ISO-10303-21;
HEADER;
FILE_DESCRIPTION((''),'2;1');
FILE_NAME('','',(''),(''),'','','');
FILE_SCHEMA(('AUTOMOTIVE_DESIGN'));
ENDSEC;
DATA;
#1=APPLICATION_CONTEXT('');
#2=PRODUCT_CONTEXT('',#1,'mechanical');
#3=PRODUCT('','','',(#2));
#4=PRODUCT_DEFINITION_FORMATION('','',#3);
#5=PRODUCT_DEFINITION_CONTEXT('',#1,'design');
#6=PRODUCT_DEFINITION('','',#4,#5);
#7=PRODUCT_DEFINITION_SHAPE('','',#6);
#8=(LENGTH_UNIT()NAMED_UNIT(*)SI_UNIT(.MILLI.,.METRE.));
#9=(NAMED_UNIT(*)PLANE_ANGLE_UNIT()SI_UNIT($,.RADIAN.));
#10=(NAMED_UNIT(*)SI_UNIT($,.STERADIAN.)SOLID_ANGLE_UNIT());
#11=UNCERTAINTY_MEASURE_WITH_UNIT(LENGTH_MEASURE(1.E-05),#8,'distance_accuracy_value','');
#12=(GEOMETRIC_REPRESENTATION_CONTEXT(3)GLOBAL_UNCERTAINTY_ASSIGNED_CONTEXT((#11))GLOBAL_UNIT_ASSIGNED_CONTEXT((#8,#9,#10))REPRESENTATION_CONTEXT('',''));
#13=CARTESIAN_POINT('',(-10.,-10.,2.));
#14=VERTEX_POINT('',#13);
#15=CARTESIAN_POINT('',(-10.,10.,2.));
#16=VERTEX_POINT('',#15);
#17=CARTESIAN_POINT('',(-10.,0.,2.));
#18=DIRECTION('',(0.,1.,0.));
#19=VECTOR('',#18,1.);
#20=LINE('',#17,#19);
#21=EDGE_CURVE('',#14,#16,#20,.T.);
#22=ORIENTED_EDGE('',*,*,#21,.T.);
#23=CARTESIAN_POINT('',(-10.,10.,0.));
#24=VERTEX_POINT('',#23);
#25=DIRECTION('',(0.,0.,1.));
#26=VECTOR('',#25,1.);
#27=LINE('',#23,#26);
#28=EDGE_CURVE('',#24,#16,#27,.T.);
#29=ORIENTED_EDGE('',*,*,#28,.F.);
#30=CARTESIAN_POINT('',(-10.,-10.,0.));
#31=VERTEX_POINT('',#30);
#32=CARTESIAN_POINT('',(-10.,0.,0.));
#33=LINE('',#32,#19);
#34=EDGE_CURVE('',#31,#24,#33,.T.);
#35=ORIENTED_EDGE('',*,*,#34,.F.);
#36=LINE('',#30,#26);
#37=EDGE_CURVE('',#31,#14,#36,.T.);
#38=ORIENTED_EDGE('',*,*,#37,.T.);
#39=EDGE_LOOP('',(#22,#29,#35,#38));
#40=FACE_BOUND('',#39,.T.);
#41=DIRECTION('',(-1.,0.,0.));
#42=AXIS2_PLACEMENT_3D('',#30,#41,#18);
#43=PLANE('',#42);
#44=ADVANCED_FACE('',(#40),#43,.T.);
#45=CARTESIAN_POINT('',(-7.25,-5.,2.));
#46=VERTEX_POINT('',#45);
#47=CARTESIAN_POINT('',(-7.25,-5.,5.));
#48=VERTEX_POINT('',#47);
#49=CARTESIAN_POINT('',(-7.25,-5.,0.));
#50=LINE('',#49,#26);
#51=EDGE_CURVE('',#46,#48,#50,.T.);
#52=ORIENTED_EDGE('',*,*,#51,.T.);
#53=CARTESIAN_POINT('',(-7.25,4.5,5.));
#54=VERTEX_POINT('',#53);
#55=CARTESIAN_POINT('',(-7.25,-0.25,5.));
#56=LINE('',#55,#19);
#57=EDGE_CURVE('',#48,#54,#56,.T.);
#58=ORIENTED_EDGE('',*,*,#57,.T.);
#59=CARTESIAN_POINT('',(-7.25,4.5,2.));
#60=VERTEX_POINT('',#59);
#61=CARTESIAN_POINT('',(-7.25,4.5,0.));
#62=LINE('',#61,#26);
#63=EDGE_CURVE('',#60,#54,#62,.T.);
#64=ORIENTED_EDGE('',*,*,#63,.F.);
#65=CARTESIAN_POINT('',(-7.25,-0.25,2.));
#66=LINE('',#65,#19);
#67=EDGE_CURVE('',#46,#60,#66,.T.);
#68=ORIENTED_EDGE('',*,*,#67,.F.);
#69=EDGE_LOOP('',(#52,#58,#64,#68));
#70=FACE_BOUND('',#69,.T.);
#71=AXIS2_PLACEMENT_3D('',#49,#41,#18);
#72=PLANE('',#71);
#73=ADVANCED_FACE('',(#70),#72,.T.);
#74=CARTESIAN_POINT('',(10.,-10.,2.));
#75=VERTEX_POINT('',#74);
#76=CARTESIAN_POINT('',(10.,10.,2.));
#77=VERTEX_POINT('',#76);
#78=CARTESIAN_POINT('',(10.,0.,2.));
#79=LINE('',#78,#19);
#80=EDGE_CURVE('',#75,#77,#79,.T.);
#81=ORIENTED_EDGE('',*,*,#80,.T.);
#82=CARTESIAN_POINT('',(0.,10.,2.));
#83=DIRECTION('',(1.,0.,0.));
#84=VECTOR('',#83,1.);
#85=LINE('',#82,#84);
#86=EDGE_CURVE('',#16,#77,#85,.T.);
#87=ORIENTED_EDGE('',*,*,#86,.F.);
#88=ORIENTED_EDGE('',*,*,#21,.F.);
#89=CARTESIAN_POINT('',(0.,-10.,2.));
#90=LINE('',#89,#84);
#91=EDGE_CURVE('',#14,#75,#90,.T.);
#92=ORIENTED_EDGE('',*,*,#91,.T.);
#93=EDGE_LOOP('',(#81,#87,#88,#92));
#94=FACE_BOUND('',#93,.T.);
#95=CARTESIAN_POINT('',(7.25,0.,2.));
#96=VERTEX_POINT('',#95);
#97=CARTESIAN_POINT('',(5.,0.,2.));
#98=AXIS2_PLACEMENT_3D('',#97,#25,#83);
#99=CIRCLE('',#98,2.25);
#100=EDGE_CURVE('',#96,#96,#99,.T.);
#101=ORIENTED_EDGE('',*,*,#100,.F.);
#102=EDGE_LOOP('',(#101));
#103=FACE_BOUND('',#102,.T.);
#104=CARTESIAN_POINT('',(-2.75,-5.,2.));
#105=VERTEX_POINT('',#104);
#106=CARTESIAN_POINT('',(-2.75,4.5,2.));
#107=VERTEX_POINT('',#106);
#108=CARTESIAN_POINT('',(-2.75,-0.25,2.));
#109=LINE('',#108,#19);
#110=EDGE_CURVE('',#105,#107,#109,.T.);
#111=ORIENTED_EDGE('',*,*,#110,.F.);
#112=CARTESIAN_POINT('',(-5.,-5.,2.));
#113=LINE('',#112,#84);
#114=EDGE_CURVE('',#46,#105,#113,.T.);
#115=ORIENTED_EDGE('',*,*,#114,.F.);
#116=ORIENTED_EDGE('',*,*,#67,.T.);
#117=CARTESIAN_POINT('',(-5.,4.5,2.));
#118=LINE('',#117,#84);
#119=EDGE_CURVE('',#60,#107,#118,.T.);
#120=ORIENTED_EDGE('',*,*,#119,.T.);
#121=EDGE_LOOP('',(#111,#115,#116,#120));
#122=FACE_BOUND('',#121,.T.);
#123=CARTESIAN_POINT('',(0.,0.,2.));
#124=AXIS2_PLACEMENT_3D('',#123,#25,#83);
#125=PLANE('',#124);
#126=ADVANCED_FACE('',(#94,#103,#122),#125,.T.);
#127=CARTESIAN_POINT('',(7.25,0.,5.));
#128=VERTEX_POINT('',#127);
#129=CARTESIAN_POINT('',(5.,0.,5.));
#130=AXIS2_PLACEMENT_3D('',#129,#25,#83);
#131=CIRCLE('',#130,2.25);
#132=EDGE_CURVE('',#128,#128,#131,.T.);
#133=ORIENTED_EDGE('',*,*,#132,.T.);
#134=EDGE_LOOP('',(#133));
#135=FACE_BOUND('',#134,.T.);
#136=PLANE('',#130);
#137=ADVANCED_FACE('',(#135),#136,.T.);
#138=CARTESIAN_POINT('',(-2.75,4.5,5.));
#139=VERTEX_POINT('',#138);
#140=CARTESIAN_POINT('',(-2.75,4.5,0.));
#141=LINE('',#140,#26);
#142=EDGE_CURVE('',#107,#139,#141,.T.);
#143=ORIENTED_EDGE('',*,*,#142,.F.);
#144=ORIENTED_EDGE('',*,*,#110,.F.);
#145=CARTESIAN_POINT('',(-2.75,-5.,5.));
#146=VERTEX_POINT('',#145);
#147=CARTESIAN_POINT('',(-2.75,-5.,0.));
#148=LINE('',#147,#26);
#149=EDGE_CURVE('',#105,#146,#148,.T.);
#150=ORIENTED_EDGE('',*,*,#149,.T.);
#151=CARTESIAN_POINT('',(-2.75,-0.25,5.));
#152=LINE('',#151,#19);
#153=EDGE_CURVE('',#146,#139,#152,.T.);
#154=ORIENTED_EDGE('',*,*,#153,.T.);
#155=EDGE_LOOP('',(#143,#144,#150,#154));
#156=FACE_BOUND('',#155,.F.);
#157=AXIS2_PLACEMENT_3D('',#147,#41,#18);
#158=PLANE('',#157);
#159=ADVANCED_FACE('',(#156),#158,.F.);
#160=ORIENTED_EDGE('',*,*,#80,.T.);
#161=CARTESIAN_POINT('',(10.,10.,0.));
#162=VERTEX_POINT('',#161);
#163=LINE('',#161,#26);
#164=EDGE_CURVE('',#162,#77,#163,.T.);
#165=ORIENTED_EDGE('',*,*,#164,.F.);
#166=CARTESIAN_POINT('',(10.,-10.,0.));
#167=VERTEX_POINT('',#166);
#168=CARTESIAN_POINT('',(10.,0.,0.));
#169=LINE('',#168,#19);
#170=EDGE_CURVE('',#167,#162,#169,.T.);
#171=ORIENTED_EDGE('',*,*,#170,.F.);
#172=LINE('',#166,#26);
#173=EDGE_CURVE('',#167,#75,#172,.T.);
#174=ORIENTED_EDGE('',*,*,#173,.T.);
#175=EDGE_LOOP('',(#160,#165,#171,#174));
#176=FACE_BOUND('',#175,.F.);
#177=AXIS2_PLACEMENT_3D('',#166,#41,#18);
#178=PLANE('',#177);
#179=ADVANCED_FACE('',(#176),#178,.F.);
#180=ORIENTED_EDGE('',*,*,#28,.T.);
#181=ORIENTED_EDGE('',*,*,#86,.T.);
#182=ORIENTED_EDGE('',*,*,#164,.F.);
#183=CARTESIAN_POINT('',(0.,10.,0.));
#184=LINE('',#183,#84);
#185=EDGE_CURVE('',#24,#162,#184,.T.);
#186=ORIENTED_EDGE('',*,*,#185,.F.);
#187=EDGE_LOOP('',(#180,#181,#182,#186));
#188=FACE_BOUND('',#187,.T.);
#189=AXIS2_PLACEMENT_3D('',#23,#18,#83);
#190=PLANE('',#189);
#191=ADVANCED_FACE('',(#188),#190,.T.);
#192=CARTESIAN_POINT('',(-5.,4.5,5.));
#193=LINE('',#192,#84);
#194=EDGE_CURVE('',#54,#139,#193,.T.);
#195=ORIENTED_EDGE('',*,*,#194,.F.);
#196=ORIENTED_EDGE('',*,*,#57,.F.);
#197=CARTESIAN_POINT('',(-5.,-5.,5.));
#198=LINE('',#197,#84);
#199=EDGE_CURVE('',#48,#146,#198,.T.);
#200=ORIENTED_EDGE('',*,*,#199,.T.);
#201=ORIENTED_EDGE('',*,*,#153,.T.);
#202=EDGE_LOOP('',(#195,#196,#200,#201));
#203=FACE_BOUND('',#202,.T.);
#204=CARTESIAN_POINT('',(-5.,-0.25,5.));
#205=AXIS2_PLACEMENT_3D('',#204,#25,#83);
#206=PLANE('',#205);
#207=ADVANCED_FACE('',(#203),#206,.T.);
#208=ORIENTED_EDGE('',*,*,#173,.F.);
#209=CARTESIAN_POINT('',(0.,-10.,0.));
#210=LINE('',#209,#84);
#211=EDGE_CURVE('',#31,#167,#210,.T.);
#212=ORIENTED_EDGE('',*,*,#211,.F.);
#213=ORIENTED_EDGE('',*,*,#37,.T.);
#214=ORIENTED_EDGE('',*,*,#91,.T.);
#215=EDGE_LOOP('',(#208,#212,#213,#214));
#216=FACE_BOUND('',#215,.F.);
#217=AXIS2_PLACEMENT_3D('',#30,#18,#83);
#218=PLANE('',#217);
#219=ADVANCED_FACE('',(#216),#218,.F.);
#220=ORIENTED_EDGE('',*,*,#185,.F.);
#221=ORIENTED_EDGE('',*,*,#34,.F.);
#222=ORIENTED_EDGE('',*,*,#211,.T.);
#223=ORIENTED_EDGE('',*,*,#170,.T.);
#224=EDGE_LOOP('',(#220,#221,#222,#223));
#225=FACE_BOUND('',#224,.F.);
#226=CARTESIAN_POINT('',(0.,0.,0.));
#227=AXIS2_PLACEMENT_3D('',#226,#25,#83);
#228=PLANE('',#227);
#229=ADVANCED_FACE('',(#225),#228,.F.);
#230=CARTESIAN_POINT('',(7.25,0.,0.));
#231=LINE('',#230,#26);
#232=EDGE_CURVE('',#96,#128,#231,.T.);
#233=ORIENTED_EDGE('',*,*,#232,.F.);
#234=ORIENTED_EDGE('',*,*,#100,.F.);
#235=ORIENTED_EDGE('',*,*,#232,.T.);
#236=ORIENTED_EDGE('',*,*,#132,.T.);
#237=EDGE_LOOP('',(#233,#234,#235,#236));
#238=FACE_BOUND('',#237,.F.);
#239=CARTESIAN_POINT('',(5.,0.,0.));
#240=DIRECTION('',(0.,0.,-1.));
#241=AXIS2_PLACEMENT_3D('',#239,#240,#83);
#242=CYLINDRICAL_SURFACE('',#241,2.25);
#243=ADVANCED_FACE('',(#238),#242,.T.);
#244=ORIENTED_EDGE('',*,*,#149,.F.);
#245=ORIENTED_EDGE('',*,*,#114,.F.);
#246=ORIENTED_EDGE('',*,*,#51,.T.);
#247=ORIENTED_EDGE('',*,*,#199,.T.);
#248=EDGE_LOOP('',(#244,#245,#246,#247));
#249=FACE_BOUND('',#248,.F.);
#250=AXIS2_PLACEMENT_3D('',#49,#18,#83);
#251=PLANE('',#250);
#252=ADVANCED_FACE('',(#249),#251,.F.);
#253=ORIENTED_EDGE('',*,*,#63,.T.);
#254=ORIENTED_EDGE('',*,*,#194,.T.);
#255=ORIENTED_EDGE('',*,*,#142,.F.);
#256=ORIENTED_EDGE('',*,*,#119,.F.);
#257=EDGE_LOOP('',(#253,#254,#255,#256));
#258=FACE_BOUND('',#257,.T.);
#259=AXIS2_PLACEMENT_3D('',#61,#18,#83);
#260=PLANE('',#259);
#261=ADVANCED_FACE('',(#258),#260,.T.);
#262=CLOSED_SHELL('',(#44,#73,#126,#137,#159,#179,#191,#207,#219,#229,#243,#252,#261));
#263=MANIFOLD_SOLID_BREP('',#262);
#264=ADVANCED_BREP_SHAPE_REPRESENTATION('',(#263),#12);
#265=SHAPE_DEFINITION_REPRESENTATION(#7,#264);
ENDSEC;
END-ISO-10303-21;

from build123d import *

# Parameters (mm, degrees)
F0_W     = 20
F0_H     = 20
F0_W_2   = 4.5
F0_H_2   = 9.5
F0_R     = 2.25
F1_DEPTH = 2
F2_DEPTH = 5


with BuildPart() as f1:
    # F0 (on Top) → F1 (new body)
    with BuildSketch(Plane.XY):
        Rectangle(F0_W, F0_H)
        with Locations((-5, -0.25)):
            Rectangle(F0_W_2, F0_H_2, mode=Mode.SUBTRACT)
        with Locations((5, 0)):
            Circle(F0_R, mode=Mode.SUBTRACT)
    extrude(amount=F1_DEPTH)

    # F0 (on Top) → F2 (join)
    with BuildSketch(Plane.XY):
        with Locations((-5, -0.25)):
            Rectangle(F0_W_2, F0_H_2)
        with Locations((5, 0)):
            Circle(F0_R)
    extrude(amount=F2_DEPTH)


solid = f1.part
